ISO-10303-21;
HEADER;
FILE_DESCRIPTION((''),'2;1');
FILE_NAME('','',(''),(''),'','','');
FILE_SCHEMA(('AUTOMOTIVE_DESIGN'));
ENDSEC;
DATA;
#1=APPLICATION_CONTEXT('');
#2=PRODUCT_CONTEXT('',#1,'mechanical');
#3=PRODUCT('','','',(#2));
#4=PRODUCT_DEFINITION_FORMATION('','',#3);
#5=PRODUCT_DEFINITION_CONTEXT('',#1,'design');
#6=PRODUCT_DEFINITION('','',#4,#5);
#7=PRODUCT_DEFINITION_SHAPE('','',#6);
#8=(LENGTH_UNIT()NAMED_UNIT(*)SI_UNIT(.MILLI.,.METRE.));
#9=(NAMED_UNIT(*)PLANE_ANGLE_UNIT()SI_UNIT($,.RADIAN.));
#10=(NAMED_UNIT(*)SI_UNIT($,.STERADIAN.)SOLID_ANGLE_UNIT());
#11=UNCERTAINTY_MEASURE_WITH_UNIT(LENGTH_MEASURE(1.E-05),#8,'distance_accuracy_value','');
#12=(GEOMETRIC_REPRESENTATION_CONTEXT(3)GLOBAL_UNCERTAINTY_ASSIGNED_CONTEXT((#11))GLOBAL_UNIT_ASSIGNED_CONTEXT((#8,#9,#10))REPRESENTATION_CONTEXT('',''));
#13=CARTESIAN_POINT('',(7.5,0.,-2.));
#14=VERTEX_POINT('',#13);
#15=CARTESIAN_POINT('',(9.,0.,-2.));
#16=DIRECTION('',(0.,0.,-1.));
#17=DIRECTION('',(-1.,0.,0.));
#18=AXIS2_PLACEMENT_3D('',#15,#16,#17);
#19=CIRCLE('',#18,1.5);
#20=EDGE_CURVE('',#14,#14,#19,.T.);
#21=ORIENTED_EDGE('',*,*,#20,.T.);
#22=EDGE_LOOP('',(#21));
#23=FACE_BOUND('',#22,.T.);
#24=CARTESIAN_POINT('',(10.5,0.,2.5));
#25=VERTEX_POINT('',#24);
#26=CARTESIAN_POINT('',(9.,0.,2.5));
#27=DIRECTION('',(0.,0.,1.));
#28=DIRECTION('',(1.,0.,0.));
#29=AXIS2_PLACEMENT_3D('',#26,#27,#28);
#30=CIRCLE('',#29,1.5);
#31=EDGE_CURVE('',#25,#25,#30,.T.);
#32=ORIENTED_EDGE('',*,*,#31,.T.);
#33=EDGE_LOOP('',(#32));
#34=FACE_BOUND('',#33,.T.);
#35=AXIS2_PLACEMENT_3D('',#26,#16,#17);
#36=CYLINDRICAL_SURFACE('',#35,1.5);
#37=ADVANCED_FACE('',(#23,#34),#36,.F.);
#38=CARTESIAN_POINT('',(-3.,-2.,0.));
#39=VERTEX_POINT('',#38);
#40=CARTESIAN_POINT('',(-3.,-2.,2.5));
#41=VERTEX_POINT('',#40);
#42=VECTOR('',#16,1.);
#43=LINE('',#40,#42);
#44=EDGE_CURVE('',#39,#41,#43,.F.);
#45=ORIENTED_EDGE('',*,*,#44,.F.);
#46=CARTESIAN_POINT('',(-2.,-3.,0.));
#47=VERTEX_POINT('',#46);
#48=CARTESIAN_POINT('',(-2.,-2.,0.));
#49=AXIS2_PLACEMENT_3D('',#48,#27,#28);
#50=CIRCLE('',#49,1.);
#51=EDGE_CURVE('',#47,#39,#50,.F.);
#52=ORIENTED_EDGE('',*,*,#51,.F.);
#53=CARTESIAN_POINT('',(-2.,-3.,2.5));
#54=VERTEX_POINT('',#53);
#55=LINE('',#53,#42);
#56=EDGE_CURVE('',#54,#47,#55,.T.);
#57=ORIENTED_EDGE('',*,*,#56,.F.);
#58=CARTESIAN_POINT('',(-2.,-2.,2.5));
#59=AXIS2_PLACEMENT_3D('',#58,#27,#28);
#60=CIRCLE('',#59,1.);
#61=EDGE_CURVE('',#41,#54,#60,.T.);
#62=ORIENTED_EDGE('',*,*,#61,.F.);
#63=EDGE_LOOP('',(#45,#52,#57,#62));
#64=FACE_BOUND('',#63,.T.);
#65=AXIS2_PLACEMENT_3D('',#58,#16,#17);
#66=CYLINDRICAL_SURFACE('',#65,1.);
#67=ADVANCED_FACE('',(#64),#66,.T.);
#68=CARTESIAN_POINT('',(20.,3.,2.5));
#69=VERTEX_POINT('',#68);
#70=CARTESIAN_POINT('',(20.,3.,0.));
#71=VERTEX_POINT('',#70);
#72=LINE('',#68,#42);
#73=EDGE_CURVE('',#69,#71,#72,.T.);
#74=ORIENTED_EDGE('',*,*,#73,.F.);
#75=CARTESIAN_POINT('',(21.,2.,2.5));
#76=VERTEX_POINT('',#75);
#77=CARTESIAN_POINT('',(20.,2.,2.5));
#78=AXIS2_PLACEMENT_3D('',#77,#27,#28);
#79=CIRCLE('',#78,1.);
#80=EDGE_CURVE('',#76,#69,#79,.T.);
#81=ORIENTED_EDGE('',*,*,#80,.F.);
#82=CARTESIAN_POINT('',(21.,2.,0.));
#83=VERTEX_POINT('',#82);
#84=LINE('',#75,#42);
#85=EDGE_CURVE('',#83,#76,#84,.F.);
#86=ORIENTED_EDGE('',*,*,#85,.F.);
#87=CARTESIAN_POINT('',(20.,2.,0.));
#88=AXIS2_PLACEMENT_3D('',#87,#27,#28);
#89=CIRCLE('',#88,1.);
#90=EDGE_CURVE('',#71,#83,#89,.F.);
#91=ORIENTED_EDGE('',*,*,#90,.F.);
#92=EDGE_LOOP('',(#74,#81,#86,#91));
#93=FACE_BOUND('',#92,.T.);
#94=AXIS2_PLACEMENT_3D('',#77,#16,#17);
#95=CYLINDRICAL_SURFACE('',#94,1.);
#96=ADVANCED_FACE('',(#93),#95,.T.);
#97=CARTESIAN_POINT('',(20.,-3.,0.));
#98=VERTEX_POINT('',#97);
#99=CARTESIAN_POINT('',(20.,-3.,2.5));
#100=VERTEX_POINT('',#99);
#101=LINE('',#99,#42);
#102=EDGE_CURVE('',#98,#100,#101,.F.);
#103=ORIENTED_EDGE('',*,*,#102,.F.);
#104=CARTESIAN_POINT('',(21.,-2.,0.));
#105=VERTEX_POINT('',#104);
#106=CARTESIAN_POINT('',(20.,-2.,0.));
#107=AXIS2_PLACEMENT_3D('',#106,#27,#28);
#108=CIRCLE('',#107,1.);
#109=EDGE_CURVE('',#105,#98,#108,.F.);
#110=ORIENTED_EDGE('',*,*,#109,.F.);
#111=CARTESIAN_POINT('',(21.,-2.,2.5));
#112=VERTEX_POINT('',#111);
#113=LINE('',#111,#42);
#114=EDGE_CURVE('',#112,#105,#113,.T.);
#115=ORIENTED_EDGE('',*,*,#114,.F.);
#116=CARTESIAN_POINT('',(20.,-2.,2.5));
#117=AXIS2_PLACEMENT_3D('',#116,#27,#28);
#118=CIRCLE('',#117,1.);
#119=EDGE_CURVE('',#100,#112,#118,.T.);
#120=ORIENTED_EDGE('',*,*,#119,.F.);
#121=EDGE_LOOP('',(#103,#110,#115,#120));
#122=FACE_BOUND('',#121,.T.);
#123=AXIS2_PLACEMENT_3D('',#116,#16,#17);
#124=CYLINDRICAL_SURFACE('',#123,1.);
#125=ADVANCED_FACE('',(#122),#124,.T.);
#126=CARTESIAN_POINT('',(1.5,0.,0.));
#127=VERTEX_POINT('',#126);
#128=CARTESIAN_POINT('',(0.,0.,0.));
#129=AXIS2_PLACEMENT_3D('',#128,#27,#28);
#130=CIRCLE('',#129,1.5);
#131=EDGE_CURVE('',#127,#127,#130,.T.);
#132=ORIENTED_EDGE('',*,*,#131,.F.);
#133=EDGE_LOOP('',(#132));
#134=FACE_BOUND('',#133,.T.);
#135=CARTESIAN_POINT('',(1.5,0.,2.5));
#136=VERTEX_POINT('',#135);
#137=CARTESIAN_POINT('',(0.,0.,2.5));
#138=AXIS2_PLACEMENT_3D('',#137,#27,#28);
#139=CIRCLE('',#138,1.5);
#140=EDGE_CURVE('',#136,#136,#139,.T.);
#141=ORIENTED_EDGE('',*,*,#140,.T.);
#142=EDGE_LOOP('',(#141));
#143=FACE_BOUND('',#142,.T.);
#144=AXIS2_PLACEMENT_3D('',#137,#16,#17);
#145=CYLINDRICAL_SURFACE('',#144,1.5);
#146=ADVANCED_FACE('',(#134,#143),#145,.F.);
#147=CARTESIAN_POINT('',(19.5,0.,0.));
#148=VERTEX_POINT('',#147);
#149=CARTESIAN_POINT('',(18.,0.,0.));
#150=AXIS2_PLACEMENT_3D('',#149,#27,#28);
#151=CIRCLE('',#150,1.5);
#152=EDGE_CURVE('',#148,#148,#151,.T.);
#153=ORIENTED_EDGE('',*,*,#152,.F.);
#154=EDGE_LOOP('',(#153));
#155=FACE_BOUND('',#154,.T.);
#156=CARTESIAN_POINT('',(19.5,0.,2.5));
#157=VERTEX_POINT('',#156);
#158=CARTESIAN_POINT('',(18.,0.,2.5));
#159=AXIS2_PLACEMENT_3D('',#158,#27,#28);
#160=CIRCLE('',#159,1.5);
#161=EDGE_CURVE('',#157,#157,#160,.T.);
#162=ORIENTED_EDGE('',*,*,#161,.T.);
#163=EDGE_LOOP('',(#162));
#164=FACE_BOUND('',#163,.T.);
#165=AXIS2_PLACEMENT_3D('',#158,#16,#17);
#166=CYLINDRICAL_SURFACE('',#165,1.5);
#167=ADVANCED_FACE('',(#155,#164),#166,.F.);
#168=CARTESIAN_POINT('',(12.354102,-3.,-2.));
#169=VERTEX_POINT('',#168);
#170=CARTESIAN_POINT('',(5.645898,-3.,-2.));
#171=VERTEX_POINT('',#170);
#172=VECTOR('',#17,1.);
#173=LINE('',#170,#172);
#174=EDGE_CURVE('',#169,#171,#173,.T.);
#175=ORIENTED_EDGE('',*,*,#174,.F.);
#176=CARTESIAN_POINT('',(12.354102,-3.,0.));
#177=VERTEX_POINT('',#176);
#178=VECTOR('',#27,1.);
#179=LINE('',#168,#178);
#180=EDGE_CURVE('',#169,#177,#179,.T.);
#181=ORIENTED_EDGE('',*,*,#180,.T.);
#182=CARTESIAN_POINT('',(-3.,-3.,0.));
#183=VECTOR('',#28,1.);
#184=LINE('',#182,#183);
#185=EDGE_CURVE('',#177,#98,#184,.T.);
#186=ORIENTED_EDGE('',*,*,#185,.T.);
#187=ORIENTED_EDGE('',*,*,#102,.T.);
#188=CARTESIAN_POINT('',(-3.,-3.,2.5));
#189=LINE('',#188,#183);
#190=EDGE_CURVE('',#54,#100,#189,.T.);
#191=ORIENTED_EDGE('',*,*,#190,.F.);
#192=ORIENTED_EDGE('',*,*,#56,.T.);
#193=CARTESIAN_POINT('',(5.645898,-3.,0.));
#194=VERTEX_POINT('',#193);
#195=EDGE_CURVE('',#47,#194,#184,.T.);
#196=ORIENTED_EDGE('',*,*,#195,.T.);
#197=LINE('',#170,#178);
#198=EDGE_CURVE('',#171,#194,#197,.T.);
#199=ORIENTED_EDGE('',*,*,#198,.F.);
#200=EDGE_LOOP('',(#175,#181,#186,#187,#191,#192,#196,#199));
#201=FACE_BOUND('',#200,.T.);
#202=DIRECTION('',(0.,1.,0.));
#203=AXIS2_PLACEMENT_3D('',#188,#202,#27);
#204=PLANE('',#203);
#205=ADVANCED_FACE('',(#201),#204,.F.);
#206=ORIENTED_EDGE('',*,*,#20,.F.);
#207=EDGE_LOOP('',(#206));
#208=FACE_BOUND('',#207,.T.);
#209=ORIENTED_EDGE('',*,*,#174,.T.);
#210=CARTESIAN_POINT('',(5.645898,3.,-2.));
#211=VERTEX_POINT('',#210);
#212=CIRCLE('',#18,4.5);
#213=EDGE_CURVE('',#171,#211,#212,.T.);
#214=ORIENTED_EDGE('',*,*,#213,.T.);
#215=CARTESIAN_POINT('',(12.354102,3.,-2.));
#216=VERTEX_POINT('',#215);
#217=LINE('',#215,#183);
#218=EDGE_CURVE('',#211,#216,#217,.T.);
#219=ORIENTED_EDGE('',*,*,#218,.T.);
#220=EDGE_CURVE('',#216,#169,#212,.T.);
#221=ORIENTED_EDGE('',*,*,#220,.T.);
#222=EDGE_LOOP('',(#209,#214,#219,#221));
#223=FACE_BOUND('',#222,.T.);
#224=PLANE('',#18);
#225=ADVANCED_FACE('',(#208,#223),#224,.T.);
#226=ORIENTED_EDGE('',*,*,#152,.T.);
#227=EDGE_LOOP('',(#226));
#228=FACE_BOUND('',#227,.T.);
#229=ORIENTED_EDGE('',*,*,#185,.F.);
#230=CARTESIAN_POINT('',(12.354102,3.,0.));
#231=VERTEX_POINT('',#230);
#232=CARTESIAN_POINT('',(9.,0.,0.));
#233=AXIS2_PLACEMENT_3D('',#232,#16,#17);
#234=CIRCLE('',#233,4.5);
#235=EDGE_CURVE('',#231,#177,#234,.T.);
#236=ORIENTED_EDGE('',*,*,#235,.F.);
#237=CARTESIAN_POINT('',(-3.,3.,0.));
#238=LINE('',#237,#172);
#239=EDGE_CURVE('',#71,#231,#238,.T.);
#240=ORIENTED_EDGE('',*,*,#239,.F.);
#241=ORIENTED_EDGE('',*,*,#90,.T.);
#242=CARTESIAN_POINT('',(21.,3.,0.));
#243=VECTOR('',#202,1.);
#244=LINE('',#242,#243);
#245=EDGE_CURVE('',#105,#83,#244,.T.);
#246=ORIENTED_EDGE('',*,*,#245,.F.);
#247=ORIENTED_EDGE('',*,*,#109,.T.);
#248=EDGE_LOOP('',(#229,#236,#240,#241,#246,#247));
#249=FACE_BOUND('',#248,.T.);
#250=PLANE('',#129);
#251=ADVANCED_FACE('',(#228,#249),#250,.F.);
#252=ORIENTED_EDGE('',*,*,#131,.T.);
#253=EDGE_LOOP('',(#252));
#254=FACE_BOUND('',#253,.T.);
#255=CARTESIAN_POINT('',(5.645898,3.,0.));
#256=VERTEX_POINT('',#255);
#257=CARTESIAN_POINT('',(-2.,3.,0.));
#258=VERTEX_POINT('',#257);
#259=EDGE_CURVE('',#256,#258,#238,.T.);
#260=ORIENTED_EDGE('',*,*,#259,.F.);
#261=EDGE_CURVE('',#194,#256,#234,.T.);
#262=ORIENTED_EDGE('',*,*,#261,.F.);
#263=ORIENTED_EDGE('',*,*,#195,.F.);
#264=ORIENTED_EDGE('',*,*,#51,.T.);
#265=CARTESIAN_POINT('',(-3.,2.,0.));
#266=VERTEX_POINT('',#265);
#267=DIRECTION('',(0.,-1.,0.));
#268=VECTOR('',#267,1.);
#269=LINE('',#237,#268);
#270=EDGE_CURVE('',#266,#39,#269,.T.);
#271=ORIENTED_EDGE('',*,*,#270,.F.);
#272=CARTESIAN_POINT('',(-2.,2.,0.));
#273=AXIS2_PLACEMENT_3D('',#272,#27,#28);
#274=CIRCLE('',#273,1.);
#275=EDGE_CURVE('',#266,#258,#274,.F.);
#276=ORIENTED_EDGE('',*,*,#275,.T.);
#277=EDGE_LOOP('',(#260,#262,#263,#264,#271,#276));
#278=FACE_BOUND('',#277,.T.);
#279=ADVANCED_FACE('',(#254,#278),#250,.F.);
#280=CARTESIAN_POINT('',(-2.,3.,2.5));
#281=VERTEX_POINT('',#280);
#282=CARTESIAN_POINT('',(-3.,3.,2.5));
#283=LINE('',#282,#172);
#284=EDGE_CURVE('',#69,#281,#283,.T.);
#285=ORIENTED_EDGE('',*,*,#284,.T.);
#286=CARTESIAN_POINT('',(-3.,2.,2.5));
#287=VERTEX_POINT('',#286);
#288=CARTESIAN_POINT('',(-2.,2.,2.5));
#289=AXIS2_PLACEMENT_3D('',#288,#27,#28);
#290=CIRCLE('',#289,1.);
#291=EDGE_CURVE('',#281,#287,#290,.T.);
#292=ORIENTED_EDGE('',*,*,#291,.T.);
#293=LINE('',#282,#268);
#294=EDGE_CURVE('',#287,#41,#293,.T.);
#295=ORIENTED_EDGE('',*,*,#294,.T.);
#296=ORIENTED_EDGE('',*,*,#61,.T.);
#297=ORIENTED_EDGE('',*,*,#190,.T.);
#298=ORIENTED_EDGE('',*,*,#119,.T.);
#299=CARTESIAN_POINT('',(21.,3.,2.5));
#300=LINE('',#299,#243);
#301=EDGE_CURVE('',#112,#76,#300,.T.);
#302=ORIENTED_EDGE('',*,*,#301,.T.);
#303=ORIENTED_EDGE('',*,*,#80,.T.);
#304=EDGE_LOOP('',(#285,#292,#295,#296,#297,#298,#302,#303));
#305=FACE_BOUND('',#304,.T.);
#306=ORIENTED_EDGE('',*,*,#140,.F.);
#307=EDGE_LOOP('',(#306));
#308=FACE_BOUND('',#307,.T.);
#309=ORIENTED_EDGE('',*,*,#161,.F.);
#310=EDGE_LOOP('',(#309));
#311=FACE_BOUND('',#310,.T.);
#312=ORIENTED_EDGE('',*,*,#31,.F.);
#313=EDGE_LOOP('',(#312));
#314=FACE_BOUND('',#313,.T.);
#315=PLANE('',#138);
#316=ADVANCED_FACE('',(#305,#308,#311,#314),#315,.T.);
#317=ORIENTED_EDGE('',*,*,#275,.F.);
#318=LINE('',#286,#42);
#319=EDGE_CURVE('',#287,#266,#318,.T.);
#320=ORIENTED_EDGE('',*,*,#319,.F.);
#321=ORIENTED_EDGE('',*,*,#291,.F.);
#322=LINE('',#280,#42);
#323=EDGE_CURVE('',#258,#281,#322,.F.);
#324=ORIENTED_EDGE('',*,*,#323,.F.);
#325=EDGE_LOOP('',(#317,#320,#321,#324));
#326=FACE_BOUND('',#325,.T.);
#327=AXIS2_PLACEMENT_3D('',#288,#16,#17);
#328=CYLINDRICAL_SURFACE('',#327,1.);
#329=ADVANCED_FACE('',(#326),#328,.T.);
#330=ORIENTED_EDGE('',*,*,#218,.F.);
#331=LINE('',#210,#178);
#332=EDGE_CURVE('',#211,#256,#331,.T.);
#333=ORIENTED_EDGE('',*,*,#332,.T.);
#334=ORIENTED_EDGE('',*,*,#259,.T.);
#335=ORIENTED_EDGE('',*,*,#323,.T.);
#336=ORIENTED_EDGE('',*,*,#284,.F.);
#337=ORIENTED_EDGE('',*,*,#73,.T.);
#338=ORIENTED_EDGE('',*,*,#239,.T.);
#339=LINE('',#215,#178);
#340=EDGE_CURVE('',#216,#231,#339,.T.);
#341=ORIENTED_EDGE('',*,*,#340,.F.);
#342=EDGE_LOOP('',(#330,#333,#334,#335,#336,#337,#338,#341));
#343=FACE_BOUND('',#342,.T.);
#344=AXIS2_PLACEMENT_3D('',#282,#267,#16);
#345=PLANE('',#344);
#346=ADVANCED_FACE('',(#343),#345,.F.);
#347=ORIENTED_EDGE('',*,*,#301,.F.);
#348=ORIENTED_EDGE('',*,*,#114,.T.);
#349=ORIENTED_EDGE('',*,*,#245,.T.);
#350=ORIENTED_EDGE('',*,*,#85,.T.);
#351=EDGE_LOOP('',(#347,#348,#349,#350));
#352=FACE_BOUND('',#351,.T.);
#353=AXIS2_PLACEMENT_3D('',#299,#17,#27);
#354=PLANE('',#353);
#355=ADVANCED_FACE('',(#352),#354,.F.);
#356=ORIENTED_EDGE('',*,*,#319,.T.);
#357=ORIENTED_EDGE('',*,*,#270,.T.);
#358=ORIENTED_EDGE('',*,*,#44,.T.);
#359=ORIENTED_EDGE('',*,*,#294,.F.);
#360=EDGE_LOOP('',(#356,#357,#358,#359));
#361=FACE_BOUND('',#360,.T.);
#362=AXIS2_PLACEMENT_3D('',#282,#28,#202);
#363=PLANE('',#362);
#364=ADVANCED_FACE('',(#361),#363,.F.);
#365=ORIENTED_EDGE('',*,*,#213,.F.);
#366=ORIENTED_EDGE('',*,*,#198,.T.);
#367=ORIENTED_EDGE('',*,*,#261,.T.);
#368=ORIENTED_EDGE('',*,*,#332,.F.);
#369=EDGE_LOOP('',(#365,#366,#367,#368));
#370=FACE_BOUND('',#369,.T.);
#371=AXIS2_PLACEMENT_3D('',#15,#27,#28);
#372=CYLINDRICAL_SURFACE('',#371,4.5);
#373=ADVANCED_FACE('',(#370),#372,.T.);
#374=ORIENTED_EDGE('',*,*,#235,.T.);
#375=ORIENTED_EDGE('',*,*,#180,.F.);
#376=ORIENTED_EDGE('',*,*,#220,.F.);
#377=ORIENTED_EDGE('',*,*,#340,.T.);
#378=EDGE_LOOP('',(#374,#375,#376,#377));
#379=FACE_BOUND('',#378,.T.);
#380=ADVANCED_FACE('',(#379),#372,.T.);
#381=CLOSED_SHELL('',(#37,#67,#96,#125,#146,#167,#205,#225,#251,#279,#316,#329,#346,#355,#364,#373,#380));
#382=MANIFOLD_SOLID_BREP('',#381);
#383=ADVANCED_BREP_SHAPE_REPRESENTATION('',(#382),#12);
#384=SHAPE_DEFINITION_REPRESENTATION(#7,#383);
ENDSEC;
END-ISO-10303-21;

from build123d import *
from build123d.topology import SkipClean

# Parameters (mm, degrees)
SKETCH1_W           = 24
SKETCH1_H           = 6
SKETCH1_R           = 1.5
BOSS_EXTRUDE2_DEPTH = 2.5
FILLET1_R           = 1
FILLET2_R           = 1
BOSS_EXTRUDE3_START = 2
SKETCH2_R           = 1.5
BOSS_EXTRUDE3_DEPTH = 2


with BuildPart() as part:
    # Sketch1 → Boss-Extrude2 (new body)
    with BuildSketch(Plane.XY):
        with Locations((9, 0)):
            Rectangle(SKETCH1_W, SKETCH1_H)
        Circle(SKETCH1_R, mode=Mode.SUBTRACT)
        with Locations((9, 0)):
            Circle(SKETCH1_R, mode=Mode.SUBTRACT)
        with Locations((18, 0)):
            Circle(SKETCH1_R, mode=Mode.SUBTRACT)
    extrude(amount=BOSS_EXTRUDE2_DEPTH)

    # Fillet1
    fillet1_edges = [part.edges().sort_by_distance(p)[0] for p in [
        (-3, 3, 1.25),
    ]]
    fillet(fillet1_edges, radius=FILLET1_R)

    # Fillet2
    fillet2_edges = [part.edges().sort_by_distance(p)[0] for p in [
        (21, 3, 1.25),
        (21, -3, 1.25),
        (-3, -3, 1.25),
    ]]
    fillet(fillet2_edges, radius=FILLET2_R)

    # Sketch2 → Boss-Extrude3 (add)
    with SkipClean():  # the faces are left unmerged after this step: merging them gives an invalid solid
        with BuildSketch(Plane(origin=(0, 0, 0), x_dir=(-1, 0, 0), z_dir=(0, 0, -1)).offset(BOSS_EXTRUDE3_START)):
            with BuildLine():
                Line((-5.645898034, -3), (-12.354101966, -3))
                ThreePointArc((-12.354101966, -3), (-13.5, 0), (-12.354101966, 3))
                Line((-12.354101966, 3), (-5.645898034, 3))
                ThreePointArc((-5.645898034, 3), (-4.5, 0), (-5.645898034, -3))
            make_face()
            with Locations((-9, 0)):
                Circle(SKETCH2_R, mode=Mode.SUBTRACT)
        extrude(amount=-BOSS_EXTRUDE3_DEPTH)


solid = part.part
